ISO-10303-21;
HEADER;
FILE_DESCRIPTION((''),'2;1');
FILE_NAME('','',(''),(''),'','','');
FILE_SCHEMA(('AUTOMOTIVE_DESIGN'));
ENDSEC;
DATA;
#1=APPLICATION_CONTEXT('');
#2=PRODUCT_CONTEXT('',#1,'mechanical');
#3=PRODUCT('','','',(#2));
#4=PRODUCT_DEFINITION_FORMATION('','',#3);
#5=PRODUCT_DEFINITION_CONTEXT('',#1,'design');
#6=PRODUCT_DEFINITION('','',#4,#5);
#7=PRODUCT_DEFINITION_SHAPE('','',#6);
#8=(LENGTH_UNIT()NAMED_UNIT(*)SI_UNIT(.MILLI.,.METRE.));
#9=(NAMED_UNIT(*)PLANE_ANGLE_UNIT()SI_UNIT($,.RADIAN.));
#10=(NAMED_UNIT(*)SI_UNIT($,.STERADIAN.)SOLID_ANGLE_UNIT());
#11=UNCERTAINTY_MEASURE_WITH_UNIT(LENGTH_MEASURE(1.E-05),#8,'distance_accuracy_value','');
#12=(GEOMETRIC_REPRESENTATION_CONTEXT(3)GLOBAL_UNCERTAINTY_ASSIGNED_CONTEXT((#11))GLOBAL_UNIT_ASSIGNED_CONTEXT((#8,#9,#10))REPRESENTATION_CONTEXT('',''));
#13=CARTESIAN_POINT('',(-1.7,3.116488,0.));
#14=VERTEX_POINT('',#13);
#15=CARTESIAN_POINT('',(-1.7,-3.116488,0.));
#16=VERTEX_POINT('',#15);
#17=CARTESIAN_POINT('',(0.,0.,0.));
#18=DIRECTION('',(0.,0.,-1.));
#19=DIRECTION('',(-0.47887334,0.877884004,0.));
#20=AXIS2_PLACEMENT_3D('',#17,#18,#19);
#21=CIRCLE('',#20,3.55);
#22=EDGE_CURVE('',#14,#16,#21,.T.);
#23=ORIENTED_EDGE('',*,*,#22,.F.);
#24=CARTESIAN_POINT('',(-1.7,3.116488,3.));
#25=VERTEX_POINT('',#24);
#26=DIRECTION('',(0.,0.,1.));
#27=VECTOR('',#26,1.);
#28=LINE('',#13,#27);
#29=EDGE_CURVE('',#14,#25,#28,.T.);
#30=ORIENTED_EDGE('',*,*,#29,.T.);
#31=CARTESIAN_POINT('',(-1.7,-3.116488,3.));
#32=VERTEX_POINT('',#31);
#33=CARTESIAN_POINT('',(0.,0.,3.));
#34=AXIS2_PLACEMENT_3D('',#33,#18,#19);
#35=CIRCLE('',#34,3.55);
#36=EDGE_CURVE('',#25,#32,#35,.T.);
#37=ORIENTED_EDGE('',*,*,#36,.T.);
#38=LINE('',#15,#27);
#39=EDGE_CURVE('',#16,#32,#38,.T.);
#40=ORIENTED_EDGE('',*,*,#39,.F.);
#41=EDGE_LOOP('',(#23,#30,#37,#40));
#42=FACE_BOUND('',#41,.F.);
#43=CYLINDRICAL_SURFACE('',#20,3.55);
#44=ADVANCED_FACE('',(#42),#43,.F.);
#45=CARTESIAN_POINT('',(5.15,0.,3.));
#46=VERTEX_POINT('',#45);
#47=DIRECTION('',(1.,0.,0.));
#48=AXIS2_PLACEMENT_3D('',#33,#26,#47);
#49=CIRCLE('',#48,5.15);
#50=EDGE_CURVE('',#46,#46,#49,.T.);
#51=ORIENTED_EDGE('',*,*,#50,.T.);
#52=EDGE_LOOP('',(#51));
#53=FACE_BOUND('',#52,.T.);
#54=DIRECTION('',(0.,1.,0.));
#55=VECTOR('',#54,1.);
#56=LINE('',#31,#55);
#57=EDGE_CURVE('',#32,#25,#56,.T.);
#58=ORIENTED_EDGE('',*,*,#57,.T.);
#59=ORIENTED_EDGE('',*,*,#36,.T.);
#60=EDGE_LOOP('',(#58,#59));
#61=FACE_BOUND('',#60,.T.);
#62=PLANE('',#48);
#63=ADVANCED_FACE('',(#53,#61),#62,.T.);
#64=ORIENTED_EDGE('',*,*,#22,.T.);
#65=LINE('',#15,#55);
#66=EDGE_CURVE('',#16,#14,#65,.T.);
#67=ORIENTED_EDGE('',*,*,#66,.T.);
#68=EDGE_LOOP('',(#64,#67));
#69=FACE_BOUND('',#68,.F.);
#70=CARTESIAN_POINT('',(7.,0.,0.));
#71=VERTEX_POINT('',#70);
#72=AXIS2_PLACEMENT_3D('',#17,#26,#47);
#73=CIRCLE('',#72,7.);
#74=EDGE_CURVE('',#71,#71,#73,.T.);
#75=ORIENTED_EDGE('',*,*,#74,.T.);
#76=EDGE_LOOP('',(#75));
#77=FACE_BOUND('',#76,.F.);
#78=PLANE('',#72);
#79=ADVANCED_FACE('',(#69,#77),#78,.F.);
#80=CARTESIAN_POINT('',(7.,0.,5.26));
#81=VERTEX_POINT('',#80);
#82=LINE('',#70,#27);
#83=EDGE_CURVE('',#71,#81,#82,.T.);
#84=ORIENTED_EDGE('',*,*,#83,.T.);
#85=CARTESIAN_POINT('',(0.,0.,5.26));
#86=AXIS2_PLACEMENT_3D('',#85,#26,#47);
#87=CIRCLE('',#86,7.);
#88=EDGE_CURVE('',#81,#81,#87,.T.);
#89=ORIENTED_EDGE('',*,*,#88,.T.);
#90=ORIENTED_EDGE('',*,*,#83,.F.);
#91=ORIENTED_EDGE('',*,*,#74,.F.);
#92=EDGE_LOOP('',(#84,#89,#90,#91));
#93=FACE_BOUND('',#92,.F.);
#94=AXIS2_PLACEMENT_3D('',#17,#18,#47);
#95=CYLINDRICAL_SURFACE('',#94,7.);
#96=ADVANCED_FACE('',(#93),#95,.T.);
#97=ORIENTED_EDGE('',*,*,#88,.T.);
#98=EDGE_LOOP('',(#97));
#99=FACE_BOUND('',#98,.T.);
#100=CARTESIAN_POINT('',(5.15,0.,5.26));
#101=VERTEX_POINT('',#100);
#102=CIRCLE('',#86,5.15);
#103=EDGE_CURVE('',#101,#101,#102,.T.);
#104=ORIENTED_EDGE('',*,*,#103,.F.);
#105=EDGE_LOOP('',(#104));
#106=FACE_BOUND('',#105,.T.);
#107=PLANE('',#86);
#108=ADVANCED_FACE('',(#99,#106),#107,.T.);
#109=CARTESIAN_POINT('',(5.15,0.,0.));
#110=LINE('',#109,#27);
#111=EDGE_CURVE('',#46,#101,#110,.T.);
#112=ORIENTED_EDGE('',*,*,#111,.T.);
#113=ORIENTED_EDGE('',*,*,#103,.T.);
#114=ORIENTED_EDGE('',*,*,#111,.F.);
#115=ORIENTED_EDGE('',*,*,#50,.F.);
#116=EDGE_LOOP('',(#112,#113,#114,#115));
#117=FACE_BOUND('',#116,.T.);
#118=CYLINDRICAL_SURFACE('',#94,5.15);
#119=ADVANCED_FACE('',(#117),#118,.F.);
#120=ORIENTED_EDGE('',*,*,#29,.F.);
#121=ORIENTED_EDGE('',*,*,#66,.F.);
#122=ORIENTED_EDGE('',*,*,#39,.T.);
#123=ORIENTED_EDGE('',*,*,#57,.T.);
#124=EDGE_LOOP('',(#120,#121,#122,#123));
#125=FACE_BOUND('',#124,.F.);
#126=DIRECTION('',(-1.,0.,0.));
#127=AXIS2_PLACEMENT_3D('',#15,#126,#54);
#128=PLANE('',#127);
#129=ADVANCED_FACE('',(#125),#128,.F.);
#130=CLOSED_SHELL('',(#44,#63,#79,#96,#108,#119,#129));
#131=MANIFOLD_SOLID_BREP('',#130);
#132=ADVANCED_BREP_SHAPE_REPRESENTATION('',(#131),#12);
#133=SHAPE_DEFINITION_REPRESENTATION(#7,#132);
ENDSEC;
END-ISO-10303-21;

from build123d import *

# Parameters (mm, degrees)
F0_R     = 5.15
F1_DEPTH = 3
F0_R_2   = 7
F2_DEPTH = 5.26


with BuildPart() as f1:
    # F0 (on Top) → F1 (new body)
    with BuildSketch(Plane.XY):
        Circle(F0_R)
        with BuildLine():
            ThreePointArc((-1.7, 3.116488), (3.55, 0), (-1.7, -3.116488))
            Line((-1.7, -3.116488), (-1.7, 3.116488))
        make_face(mode=Mode.SUBTRACT)
    extrude(amount=F1_DEPTH)

    # F0 (on Top) → F2 (join)
    with BuildSketch(Plane.XY):
        Circle(F0_R_2)
        Circle(F0_R, mode=Mode.SUBTRACT)
    extrude(amount=F2_DEPTH)


solid = f1.part
